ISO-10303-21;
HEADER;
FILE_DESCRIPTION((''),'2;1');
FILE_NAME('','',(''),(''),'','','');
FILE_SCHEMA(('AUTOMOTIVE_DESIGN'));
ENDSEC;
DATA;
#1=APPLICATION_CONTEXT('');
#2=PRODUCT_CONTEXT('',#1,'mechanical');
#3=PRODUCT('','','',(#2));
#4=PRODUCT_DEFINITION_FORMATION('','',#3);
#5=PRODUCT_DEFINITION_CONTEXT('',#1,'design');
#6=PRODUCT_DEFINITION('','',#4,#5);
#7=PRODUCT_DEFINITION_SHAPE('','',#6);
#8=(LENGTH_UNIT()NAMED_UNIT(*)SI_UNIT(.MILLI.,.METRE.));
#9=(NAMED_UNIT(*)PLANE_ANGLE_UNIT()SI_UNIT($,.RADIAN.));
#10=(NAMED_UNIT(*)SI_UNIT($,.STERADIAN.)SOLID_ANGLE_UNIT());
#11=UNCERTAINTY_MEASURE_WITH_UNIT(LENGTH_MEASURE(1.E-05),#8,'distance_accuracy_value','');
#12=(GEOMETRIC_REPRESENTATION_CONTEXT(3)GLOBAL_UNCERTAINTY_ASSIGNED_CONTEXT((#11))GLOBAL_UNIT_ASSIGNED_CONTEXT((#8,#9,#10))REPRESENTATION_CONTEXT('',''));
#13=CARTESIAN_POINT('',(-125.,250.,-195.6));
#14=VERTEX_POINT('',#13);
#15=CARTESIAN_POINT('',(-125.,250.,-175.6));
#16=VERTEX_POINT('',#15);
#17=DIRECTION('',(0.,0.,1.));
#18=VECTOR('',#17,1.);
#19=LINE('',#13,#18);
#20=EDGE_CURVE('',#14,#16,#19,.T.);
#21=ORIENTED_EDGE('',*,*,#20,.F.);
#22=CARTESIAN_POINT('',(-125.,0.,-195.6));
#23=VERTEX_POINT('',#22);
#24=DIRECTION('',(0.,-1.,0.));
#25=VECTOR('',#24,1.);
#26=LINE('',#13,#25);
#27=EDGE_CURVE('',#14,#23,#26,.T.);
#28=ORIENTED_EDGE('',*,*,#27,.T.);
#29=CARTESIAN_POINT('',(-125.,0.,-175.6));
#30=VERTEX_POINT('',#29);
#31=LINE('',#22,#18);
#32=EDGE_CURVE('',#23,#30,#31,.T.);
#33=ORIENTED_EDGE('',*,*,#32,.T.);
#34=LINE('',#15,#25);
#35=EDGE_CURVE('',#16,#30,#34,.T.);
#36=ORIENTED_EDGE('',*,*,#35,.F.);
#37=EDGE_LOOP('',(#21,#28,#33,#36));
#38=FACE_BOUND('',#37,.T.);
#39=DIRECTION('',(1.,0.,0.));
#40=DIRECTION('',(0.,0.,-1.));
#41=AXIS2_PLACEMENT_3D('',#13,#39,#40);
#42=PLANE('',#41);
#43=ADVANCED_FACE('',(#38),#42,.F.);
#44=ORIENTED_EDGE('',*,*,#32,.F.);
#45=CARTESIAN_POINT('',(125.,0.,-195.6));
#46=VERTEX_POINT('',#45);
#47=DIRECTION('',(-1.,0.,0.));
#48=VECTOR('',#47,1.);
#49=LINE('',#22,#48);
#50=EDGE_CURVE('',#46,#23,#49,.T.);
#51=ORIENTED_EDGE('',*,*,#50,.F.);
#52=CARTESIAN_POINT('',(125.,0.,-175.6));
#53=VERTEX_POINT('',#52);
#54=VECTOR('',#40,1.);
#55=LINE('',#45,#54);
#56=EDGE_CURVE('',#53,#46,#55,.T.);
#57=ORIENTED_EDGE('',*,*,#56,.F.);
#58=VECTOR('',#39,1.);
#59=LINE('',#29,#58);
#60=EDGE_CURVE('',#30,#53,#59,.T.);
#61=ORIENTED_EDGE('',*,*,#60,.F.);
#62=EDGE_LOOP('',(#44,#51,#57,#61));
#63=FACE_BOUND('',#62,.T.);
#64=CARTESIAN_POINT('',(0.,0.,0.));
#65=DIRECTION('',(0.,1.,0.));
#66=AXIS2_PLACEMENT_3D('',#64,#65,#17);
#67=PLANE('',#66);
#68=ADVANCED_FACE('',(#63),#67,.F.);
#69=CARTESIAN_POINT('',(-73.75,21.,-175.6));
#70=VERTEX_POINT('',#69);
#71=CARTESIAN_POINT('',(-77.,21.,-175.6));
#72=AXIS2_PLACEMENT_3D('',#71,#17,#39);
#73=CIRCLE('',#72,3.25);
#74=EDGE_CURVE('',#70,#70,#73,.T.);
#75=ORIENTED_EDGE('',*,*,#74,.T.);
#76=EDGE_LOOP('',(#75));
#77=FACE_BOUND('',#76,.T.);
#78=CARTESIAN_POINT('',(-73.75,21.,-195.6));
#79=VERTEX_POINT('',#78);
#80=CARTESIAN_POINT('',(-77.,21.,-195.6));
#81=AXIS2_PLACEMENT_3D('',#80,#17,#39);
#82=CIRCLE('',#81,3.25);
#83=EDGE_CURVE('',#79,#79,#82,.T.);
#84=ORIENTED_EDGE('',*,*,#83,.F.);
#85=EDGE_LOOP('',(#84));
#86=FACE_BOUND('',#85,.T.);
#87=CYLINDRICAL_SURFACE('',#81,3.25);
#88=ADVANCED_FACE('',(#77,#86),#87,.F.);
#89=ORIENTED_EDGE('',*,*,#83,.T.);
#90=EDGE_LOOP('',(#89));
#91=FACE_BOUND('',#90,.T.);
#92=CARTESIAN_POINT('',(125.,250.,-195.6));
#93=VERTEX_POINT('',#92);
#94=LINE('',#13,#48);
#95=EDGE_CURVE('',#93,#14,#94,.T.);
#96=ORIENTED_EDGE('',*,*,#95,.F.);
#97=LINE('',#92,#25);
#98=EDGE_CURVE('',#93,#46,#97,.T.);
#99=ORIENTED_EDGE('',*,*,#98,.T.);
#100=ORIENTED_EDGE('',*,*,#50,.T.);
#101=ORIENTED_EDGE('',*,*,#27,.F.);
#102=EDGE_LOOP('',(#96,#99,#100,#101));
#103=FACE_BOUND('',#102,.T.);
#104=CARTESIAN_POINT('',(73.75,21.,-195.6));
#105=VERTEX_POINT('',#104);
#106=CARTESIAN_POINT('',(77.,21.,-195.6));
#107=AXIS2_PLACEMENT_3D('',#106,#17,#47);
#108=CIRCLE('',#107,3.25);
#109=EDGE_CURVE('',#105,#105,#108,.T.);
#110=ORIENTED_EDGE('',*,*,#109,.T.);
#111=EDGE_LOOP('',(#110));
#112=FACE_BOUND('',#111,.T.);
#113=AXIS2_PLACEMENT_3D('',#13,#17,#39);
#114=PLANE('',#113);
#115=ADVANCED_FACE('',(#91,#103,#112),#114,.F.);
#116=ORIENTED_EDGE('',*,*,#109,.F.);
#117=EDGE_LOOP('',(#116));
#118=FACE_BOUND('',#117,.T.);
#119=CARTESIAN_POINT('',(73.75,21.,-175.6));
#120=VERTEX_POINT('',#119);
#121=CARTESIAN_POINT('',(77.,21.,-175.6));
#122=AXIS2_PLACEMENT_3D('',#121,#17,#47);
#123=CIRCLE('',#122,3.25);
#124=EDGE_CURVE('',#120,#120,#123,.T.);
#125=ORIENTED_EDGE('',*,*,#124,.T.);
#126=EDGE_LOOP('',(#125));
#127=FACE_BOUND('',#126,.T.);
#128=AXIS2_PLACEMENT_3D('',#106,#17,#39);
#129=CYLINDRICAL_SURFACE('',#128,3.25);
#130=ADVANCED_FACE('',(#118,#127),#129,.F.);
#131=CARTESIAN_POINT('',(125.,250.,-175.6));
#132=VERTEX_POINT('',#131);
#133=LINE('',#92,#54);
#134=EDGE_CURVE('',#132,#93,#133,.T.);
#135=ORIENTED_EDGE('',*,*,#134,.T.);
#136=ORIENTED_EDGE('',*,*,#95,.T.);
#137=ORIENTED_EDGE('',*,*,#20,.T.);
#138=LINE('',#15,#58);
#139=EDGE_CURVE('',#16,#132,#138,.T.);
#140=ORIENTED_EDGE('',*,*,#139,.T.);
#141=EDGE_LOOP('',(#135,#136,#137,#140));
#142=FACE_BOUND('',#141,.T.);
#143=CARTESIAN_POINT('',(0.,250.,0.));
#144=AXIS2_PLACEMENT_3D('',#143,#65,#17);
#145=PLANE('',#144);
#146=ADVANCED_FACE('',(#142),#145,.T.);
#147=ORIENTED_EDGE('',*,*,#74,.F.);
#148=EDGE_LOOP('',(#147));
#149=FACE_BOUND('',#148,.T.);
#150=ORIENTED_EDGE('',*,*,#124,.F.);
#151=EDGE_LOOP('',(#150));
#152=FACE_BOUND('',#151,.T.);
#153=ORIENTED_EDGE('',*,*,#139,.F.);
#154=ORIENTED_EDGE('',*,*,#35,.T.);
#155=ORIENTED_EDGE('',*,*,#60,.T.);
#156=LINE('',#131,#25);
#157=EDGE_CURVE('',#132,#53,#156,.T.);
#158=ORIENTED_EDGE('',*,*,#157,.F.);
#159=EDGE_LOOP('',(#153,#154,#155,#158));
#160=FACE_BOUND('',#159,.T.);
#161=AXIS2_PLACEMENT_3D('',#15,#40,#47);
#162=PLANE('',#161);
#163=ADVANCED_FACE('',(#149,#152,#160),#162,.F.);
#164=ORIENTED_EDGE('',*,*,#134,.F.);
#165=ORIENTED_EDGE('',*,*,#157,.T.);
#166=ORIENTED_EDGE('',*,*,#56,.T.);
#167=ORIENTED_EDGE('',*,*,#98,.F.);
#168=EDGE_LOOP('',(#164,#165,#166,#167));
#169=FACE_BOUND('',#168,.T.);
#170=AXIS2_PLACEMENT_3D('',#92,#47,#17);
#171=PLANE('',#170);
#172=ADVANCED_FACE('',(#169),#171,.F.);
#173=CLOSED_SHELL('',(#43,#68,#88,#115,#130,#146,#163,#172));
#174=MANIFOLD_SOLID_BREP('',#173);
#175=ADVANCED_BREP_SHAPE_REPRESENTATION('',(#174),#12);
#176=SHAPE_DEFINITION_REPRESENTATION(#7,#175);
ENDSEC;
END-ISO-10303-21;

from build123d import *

# Parameters (mm, degrees)
CROQUIS1_W              = 250
CROQUIS1_H              = 20
SALIENTE_EXTRUIR1_DEPTH = 250
CROQUIS2_R              = 3.25
CORTAR_EXTRUIR1_DEPTH   = 281.223125384


with BuildPart() as part:
    # Croquis1 → Saliente-Extruir1 (new body)
    with BuildSketch(Plane(origin=(0, 0, 0), x_dir=(1, 0, 0), z_dir=(0, 1, 0))):
        with Locations((0, 185.6)):
            Rectangle(CROQUIS1_W, CROQUIS1_H)
    extrude(amount=SALIENTE_EXTRUIR1_DEPTH)

    # Croquis2 → Cortar-Extruir1 (cut, through all)
    with BuildSketch(Plane.XY.offset(-175.6)):
        with Locations((-77, 21)):
            Circle(CROQUIS2_R)
        with Locations(Location((77, 21, 0), (0, 0, 180))):
            Circle(CROQUIS2_R)
    extrude(amount=-CORTAR_EXTRUIR1_DEPTH, mode=Mode.SUBTRACT)


solid = part.part
